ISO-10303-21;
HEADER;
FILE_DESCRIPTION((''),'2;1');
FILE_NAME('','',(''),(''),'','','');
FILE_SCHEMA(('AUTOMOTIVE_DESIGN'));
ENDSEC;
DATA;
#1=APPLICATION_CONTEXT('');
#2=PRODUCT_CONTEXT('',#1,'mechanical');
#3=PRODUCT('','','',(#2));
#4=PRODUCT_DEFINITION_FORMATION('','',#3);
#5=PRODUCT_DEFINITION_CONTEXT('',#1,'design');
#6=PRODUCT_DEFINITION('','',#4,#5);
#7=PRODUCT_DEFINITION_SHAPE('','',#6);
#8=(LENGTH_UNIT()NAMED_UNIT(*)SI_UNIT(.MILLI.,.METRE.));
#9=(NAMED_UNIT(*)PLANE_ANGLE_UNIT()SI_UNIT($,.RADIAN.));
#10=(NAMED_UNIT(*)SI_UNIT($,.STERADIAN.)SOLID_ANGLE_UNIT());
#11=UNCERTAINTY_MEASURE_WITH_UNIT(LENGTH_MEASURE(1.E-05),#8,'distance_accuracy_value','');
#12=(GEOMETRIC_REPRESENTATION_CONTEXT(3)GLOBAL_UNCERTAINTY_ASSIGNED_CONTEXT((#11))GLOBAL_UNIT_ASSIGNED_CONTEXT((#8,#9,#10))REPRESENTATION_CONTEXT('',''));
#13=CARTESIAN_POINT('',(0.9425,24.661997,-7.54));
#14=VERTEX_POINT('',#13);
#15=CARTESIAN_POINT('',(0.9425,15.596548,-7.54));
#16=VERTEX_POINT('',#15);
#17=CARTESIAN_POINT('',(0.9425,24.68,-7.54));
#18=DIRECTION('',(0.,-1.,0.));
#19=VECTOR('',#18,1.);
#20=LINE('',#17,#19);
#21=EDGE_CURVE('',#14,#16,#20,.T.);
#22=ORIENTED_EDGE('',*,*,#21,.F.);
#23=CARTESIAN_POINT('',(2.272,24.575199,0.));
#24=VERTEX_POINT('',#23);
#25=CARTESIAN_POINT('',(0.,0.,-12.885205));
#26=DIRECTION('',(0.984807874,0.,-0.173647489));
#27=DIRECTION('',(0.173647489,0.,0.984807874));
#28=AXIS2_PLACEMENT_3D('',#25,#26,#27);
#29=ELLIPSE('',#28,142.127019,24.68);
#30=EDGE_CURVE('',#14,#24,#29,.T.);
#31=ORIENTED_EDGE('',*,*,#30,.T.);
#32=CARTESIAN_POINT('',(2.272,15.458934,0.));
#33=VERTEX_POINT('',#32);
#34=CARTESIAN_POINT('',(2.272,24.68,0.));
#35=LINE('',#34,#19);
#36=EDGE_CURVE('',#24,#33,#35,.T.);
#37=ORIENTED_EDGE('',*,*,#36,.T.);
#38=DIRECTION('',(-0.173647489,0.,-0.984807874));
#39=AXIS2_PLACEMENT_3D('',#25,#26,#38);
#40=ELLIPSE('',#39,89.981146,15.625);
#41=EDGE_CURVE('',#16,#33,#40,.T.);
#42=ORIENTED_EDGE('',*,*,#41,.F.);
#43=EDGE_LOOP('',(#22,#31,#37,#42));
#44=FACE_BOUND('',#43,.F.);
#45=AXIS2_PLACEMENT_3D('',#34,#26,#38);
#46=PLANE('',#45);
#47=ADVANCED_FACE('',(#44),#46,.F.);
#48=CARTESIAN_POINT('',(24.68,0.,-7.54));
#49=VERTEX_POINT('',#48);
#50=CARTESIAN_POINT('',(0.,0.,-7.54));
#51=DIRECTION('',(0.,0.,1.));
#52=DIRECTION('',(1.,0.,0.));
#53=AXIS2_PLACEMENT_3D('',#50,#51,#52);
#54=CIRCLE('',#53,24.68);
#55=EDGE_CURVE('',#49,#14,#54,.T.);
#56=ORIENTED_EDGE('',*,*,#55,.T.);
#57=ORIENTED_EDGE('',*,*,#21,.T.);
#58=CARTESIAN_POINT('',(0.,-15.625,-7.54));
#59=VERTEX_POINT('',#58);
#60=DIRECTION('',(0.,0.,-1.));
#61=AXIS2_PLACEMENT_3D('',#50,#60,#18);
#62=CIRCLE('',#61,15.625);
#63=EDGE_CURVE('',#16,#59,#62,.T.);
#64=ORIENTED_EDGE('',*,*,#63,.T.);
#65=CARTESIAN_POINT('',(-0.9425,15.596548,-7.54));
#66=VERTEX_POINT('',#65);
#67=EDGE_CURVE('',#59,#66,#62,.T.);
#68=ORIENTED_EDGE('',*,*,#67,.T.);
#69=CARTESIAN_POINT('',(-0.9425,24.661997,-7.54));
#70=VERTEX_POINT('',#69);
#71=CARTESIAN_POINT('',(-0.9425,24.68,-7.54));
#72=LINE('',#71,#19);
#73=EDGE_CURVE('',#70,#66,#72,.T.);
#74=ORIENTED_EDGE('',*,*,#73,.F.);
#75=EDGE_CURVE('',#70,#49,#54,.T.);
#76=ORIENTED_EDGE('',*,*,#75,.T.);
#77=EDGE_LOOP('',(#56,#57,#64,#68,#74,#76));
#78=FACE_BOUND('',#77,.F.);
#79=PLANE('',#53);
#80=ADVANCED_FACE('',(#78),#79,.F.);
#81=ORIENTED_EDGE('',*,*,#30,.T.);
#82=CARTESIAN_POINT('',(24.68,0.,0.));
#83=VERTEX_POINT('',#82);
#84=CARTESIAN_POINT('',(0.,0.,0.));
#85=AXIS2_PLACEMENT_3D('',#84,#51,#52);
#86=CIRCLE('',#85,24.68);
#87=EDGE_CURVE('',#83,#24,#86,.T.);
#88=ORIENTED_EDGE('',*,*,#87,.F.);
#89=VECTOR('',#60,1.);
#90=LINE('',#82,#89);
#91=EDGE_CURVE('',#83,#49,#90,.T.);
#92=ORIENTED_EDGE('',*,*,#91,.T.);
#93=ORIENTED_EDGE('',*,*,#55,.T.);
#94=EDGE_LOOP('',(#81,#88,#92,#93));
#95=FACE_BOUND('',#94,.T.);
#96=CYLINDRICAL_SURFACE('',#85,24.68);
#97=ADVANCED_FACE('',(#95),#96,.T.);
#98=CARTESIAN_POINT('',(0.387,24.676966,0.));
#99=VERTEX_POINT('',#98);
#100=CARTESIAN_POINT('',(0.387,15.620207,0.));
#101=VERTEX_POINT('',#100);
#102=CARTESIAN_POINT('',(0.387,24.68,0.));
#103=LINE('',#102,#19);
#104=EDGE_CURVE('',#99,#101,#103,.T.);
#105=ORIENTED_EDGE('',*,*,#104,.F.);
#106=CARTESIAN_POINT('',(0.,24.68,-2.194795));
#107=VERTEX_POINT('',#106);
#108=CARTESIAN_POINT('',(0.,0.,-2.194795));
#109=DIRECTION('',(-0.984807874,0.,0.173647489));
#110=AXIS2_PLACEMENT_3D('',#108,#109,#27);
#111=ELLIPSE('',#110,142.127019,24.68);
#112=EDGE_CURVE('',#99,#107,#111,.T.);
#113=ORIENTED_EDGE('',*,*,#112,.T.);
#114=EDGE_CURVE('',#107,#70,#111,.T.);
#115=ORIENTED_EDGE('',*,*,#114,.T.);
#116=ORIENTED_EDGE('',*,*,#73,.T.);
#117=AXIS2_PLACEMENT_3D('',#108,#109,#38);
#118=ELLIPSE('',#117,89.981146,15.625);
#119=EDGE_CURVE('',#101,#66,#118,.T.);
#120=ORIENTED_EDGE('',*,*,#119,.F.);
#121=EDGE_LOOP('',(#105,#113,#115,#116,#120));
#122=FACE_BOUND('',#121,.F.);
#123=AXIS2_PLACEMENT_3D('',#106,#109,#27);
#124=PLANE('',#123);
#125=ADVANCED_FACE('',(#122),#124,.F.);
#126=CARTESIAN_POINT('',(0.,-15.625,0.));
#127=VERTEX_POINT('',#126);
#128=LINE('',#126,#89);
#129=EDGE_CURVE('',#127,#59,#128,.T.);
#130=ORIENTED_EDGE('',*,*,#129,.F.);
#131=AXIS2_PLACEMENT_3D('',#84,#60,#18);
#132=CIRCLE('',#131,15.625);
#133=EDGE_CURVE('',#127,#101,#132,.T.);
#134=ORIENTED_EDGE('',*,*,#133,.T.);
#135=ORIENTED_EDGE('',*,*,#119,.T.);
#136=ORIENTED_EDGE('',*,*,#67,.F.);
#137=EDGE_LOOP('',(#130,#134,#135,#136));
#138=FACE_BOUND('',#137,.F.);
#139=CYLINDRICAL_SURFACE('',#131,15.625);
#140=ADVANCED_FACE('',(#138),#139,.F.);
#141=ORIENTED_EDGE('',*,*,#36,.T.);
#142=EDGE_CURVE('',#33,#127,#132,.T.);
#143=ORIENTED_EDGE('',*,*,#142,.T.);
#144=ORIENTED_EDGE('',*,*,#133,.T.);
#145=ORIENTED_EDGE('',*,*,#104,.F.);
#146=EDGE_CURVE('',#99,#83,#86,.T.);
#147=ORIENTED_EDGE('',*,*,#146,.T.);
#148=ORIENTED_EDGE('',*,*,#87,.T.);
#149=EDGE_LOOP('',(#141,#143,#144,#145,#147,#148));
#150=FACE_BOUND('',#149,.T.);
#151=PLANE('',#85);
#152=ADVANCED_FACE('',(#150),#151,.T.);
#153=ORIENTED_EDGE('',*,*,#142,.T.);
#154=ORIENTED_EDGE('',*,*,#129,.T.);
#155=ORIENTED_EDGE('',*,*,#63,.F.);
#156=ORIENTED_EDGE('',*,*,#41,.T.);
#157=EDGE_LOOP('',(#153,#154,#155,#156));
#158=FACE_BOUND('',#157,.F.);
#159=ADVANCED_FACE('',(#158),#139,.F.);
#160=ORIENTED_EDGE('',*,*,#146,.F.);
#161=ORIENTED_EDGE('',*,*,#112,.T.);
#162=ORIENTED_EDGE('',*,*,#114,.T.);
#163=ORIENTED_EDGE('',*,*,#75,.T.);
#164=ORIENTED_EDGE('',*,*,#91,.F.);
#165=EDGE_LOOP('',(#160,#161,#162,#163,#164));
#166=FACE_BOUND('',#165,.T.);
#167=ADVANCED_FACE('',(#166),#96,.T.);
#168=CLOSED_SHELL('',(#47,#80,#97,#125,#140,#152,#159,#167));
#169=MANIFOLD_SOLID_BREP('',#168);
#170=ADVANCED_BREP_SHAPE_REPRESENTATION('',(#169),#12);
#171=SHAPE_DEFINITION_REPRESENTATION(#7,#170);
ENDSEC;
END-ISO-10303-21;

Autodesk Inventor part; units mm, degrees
ref_plane "WorkPlane1" through (0, 0, 0) normal (0, 0, 1) x (1, 0, 0)
ref_plane "WorkPlane3" through (0, 0, -7.54) normal (0, 0, 1) x (1, 0, 0)
ref_plane "Work Plane3" through (0, -24.68, 0) normal (0, 1, 0) x (-1, 0, 0)
ref_plane "WorkPlane10" through (0, 24.68, 0) normal (0, 1, 0) x (-1, 0, 0)
sketch "Sketch1" plane through (0, 0, 0) normal (0, 0, 1) x (1, 0, 0)
  point P0 (0, 0)
sketch "Sketch2" plane through (0, 0, 0) normal (0, 0, 1) x (1, 0, 0)
  circle A0 centre (0, 0) radius 24.68
  dimension "d3" = 49.36
extrude "Extrusion1" add sketch "Sketch2" against normal blind 7.54
sketch "Sketch3" plane through (0, 0, -7.54) normal (0, 0, 1) x (1, 0, 0)
  point P0 (0, 0)
sketch "Sketch4" plane through (0, 0, 0) normal (0, 0, 1) x (1, 0, 0)
  circle A0 centre (0, 0) radius 24.68 projected
hole "Hole1" at (0, 0, 0) direction (0, 0, -1) diameter 31.25 end through all
sketch "Sketch5" plane through (0, 24.68, 0) normal (0, 1, 0) x (-1, 0, 0)
  line L0 (-0.387, 0) -> (-2.272, 0)
  line L1 (0.9425, -7.54) -> (-0.387, 0)
  line L2 (-0.9425, -7.54) -> (0.9425, -7.54)
  line L3 (-2.272, 0) -> (-0.9425, -7.54)
  line L4 (-15.625, 0) -> (15.625, 0) construction
  line L5 (24.68, -7.54) -> (-24.68, -7.54) construction
  line L6 (0, -9.048) -> (0, 1.508) projected
  dimension "d15" = 80
  dimension "d18" = 0.9425
  dimension "d19" = 0.9425
extrude "Extrusion2" cut sketch "Sketch5" against normal blind 24.68
ref_plane "MSC_PT1" through (0, 0, 0) normal (0, 0, 1) x (1, 0, 0)
ref_plane "MSC_PT2" through (0, 0, -7.54) normal (0, 0, -1) x (-1, 0, 0)
equation "\"d7\" = Diam1"
equation "\"d4\" = ParH"
equation "\"d18\" = 0.125 * ParH"
equation "\"d19\" = 0.125 * ParH"
equation "\"d16\" = 0.5 * Diam2"
equation "\"d3\" = Diam2"
equation "\"Diam2\" = 49.36"
equation "\"ParH\" = 7.54"
equation "\"Diam1\" = 31.25"
equation "\"d20\" = 0.5 * Diam2"
properties part number "ASME B18.21.2M - 30" material "Steel, Mild"
